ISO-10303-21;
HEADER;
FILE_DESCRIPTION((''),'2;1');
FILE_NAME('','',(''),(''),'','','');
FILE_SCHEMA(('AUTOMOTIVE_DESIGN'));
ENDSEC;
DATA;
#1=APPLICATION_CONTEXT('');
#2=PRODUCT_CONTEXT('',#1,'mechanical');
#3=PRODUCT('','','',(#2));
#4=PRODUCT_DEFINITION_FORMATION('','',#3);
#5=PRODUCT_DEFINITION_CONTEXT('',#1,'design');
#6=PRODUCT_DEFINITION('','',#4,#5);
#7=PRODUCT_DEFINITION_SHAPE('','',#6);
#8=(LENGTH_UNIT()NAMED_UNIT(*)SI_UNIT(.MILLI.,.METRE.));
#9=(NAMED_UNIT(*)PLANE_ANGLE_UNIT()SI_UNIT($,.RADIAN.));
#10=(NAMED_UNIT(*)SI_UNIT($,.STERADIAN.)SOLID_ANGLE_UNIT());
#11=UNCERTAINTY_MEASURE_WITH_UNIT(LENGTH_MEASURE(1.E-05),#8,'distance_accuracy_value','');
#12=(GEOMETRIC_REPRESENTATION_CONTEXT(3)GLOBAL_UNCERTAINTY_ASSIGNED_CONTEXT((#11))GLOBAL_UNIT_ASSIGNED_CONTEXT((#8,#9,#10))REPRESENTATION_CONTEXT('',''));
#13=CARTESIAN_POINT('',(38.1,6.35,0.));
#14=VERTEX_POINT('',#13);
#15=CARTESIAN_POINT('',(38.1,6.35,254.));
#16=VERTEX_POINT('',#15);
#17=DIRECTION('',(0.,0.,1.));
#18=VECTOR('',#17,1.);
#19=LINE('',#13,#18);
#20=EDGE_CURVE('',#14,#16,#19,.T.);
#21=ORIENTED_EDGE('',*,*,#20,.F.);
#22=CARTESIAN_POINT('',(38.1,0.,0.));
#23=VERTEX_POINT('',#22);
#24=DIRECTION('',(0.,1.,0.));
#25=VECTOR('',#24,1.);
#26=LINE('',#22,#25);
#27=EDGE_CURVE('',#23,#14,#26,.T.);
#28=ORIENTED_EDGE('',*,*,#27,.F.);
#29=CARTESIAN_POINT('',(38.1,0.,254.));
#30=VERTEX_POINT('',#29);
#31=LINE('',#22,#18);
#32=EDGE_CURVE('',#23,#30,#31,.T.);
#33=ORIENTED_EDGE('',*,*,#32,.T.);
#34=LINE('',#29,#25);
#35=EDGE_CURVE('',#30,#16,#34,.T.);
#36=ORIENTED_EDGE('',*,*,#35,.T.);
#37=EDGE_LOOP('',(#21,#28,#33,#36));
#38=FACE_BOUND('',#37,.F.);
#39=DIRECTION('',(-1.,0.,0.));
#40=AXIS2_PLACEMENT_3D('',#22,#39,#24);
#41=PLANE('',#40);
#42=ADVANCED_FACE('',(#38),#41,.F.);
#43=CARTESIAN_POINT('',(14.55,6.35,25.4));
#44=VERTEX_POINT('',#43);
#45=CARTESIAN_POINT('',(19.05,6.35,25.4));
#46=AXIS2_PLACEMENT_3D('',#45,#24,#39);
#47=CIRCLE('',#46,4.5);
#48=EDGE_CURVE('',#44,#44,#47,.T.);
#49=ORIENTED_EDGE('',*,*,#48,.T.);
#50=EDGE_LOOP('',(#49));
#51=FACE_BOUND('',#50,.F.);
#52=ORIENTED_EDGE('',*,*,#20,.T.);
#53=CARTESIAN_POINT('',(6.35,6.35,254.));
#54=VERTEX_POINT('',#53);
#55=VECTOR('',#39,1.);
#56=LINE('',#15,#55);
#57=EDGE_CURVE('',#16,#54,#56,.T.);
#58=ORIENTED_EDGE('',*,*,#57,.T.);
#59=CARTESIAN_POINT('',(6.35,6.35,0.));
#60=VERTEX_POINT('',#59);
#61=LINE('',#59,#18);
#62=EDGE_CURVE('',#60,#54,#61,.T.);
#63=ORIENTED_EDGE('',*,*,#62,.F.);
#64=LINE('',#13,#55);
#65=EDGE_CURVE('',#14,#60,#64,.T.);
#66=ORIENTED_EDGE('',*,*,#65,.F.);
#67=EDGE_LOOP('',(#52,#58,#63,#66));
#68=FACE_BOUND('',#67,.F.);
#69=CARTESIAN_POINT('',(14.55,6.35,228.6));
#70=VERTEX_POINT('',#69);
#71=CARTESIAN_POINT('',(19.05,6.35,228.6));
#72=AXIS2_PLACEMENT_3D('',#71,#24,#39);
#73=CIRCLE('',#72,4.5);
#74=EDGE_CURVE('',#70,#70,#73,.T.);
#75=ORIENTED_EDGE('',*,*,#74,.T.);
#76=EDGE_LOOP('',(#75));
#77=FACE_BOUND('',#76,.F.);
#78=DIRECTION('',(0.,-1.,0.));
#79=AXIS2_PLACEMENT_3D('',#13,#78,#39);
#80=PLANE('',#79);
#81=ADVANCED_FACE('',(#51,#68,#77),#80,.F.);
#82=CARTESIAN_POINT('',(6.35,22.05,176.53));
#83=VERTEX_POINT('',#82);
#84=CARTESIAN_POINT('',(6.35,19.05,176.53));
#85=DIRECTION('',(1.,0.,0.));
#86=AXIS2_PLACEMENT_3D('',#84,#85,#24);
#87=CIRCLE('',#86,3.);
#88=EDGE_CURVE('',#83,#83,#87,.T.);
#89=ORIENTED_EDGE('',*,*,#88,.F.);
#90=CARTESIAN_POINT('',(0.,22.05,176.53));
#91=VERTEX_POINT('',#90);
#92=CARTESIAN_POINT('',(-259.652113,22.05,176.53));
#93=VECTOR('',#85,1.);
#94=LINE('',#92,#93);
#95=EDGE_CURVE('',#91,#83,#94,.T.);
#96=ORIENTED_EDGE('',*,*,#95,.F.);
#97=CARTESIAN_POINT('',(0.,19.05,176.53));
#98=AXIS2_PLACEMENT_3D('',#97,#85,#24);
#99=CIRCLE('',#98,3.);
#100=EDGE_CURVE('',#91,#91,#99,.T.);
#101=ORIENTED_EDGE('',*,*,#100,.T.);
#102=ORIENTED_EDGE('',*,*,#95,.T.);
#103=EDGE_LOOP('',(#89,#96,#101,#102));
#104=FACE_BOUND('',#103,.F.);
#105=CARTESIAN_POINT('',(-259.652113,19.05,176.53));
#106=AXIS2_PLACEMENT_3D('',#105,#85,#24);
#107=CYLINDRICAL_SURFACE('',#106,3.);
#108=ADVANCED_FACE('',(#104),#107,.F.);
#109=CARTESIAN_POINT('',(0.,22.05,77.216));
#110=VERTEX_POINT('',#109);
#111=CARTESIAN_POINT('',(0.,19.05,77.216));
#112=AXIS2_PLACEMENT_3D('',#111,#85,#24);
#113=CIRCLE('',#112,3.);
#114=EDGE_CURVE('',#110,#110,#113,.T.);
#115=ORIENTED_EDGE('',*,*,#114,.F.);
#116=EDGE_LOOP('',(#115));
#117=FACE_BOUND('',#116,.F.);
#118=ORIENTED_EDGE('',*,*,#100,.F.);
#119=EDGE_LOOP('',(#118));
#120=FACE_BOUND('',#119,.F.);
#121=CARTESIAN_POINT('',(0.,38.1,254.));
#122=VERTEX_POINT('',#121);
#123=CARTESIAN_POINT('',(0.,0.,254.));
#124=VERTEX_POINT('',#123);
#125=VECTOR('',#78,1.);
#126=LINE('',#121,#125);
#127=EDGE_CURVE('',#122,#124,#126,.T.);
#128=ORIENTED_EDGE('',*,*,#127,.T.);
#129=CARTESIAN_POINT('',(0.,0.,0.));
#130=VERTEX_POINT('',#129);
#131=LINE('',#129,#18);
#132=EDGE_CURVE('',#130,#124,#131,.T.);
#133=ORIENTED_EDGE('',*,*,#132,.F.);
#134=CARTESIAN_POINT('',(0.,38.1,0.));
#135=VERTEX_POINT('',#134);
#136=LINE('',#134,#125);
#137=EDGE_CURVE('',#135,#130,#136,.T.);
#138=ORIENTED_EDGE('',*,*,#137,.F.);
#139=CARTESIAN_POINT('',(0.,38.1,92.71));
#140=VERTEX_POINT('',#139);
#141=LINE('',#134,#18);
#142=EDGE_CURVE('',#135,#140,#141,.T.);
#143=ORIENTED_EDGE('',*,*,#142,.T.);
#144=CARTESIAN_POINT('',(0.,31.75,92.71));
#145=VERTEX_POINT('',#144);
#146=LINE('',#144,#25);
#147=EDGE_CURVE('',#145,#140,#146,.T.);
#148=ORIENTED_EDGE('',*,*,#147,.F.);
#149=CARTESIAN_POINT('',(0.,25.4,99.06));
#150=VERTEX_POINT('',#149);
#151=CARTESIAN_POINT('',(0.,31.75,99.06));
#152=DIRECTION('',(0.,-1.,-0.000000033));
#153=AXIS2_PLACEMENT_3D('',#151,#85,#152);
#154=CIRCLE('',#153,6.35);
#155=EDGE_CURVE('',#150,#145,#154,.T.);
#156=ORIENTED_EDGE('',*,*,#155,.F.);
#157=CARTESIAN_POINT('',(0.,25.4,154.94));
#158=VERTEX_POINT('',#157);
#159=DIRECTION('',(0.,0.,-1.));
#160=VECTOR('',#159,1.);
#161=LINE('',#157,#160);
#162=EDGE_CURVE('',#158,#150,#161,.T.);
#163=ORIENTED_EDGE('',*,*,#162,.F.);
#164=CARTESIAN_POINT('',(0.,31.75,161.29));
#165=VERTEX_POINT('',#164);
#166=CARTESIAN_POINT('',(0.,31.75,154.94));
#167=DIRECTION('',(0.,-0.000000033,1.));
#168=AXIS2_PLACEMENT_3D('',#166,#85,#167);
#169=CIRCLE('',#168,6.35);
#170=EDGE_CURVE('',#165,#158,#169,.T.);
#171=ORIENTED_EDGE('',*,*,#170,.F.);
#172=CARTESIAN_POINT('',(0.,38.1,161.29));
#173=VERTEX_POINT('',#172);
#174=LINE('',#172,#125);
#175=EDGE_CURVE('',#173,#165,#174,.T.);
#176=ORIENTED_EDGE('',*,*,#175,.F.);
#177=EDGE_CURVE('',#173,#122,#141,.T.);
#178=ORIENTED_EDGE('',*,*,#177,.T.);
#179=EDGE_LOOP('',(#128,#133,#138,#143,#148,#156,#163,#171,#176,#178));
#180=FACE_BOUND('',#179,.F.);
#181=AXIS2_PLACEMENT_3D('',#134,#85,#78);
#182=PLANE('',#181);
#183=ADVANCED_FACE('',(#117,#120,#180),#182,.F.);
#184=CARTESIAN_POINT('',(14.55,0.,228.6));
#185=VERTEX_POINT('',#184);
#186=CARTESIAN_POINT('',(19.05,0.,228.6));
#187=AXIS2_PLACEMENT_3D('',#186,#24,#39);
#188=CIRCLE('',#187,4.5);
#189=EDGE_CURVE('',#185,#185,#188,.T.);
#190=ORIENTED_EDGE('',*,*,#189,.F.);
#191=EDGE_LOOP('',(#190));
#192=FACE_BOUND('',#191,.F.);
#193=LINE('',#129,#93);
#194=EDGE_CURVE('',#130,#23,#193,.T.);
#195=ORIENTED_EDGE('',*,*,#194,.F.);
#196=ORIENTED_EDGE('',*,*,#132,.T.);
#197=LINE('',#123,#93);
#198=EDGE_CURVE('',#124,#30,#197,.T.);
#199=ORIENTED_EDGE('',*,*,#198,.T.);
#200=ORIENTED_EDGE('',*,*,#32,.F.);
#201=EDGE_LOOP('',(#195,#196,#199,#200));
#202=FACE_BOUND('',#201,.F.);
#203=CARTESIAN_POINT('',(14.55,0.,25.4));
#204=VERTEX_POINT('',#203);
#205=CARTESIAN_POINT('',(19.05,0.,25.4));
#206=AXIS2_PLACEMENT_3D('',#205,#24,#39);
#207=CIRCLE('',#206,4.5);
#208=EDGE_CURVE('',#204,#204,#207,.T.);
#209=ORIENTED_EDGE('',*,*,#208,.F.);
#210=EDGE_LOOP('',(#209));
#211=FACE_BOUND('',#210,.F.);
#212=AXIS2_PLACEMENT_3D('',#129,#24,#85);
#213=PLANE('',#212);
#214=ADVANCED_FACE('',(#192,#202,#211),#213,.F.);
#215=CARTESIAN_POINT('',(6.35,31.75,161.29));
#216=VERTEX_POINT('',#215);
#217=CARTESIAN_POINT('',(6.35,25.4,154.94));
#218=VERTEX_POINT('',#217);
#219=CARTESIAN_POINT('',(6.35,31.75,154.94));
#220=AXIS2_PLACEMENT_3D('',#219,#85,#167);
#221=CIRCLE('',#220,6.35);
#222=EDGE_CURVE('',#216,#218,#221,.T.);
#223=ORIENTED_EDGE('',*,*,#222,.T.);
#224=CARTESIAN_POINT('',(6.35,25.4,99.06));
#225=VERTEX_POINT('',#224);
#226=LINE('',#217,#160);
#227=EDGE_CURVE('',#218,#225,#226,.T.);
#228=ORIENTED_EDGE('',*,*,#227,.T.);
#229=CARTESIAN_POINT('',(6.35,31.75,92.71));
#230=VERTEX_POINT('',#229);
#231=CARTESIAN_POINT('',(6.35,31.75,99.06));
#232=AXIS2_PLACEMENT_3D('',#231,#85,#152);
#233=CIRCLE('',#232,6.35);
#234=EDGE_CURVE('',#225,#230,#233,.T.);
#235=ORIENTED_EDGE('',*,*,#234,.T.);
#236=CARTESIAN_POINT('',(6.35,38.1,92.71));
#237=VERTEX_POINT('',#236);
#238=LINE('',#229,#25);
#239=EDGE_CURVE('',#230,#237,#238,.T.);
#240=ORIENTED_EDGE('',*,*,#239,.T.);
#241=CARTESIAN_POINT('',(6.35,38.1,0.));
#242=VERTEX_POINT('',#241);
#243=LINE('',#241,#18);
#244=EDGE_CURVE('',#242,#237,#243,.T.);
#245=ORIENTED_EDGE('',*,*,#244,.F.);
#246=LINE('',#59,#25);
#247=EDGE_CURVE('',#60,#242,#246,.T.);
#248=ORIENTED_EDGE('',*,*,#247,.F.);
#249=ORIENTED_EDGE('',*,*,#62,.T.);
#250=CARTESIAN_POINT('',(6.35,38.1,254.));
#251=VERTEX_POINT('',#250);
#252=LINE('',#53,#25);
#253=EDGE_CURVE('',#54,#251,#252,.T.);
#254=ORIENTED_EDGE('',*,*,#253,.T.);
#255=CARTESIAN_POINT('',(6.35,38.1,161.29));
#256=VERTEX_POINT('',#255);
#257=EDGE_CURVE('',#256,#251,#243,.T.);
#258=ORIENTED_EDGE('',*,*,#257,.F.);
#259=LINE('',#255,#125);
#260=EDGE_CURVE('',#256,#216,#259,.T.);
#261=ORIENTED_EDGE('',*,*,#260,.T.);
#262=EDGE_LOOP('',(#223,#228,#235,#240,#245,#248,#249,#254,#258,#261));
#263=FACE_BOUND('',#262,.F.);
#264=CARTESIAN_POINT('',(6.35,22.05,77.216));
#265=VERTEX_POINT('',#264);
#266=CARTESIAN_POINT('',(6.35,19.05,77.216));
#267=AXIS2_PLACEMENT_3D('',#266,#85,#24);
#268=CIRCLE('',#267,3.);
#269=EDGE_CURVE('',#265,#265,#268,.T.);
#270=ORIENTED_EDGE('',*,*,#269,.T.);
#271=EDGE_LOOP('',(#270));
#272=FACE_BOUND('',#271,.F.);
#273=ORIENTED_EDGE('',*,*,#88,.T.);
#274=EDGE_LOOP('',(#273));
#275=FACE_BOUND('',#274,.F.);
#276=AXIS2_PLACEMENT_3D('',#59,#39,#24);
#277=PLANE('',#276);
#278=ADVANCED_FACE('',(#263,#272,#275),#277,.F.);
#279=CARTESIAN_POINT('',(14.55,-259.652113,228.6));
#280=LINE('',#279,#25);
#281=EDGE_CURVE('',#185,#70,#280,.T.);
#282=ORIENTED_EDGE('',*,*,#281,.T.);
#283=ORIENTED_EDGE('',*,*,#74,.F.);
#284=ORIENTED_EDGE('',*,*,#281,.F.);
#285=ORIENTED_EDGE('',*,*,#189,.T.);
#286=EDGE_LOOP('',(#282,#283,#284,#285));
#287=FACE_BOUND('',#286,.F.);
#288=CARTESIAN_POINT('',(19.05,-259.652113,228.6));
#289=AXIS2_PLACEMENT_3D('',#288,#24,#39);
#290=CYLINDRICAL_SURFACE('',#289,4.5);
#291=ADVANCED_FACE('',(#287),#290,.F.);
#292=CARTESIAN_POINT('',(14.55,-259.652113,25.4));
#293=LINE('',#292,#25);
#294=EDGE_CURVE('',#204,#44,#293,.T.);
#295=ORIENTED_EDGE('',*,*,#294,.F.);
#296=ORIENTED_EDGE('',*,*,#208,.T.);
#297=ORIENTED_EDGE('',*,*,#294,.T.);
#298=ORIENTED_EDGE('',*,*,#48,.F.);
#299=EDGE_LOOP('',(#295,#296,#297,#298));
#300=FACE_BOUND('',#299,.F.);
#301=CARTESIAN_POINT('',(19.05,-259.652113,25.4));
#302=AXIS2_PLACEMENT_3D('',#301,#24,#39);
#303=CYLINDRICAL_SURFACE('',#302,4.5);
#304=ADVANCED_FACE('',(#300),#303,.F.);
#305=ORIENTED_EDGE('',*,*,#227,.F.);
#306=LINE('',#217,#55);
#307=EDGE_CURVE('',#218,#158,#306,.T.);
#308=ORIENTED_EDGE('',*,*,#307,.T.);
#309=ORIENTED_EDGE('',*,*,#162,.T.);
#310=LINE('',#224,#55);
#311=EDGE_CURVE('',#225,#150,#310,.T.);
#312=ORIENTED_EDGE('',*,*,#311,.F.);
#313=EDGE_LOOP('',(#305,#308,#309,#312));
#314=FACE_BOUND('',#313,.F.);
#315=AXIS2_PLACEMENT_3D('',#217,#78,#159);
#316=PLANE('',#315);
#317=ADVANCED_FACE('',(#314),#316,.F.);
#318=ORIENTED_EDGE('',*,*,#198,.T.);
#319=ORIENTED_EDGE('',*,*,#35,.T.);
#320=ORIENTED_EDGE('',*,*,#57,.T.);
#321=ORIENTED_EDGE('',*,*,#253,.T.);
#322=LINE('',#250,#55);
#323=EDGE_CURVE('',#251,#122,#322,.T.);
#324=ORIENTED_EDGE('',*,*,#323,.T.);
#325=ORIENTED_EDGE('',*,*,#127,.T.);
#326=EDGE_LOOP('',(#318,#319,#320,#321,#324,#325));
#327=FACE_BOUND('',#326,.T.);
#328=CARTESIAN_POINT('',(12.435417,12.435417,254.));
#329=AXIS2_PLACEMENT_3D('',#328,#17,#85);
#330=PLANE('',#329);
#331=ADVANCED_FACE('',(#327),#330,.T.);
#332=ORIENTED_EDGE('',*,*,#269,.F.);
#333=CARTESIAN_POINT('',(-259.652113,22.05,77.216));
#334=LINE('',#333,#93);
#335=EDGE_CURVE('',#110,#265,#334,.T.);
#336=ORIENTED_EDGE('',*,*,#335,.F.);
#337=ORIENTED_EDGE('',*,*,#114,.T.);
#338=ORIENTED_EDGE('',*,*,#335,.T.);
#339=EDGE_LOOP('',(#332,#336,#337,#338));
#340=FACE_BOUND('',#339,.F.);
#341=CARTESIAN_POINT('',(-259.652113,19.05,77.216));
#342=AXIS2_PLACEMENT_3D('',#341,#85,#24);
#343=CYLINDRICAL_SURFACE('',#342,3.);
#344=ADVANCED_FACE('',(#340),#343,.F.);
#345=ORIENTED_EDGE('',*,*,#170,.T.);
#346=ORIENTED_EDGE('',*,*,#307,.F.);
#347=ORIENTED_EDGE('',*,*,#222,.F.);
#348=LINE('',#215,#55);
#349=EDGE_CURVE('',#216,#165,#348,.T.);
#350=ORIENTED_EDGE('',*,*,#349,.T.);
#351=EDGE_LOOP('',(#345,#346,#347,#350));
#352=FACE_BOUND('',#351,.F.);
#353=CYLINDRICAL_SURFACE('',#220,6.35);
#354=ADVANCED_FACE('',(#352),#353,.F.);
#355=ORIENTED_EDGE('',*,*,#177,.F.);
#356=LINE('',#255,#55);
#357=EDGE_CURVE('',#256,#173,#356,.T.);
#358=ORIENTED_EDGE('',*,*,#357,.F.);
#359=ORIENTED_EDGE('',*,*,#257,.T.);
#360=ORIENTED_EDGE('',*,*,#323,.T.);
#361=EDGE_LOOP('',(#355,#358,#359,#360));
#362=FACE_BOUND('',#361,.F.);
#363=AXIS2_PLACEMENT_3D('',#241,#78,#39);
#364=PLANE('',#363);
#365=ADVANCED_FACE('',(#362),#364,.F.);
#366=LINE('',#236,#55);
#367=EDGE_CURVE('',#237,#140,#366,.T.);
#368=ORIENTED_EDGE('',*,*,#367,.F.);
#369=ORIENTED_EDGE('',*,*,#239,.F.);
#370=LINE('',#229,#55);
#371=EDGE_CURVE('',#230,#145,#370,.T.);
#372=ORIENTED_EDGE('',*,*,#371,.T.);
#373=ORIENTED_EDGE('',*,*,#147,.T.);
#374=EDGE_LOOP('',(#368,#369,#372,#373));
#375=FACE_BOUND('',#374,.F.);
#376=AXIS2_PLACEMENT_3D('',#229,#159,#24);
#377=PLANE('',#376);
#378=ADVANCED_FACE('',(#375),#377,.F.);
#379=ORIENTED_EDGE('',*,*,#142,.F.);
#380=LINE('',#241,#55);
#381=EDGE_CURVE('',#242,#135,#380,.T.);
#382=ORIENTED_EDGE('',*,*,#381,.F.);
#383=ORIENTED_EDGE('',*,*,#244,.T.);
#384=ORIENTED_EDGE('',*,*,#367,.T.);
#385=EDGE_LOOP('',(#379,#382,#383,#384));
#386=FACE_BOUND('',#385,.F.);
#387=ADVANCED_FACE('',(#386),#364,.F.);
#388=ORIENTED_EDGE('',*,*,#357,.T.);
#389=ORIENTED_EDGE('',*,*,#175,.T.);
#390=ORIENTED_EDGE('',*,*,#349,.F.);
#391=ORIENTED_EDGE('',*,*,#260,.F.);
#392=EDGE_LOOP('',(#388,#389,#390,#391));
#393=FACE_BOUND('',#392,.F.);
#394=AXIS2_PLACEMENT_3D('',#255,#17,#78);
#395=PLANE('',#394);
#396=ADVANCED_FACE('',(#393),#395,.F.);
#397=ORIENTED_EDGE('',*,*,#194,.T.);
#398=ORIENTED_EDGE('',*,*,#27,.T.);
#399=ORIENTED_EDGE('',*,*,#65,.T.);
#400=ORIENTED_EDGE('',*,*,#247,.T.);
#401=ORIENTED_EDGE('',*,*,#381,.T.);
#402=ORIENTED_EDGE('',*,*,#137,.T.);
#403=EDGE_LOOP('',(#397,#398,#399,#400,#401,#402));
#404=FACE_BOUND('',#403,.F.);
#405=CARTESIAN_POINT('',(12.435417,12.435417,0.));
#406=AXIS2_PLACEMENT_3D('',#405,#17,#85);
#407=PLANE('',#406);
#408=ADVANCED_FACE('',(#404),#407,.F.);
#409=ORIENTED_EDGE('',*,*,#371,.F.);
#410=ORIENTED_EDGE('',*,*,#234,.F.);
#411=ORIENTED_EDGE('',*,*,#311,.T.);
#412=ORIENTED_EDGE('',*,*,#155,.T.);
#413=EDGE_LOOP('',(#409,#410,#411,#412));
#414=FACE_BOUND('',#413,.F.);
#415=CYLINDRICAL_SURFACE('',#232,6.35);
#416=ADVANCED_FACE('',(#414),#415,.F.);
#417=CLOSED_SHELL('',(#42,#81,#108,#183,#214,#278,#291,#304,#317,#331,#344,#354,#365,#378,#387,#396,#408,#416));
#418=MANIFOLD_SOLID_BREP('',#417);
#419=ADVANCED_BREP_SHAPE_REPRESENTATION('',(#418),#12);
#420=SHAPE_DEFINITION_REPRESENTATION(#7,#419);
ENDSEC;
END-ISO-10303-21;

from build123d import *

# Parameters (mm, degrees)
F1_DEPTH  = 254
F3_D      = 9
F4_D      = 9
F9_D      = 6
F11_DEPTH = 6.35


with BuildPart() as f1:
    # F0 (on Top) → F1 (new body)
    with BuildSketch(Plane.XY):
        Polygon((0, 38.1), (0, 0), (38.1, 0), (38.1, 6.35), (6.35, 6.35), (6.35, 38.1), align=None)
    extrude(amount=F1_DEPTH)

    # F3 (through all)
    with Locations(Plane.XZ):
        with Locations((19.05, 228.6)):
            Hole(F3_D / 2)

    # F4 (through all)
    with Locations(Plane.XZ):
        with Locations((19.05, 25.4)):
            Hole(F4_D / 2)

    # F9 (through all)
    with Locations(Plane(origin=(0, 0, 0), x_dir=(0, -1, 0), z_dir=(-1, 0, 0))):
        with Locations((-19.05, 77.216), (-19.05, 176.53)):
            Hole(F9_D / 2)

    # F10 (on face) → F11 (cut, through all)
    with BuildSketch(Plane.YZ.offset(6.35)):
        with BuildLine():
            ThreePointArc((31.75, 161.29), (27.259872, 159.430128), (25.4, 154.94))
            Line((25.4, 154.94), (25.4, 99.06))
            ThreePointArc((25.4, 99.06), (27.259872, 94.569872), (31.75, 92.71))
            Line((31.75, 92.71), (38.1, 92.71))
            Line((38.1, 92.71), (38.1, 161.29))
            Line((38.1, 161.29), (31.75, 161.29))
        make_face()
    extrude(amount=-F11_DEPTH, mode=Mode.SUBTRACT)


solid = f1.part
